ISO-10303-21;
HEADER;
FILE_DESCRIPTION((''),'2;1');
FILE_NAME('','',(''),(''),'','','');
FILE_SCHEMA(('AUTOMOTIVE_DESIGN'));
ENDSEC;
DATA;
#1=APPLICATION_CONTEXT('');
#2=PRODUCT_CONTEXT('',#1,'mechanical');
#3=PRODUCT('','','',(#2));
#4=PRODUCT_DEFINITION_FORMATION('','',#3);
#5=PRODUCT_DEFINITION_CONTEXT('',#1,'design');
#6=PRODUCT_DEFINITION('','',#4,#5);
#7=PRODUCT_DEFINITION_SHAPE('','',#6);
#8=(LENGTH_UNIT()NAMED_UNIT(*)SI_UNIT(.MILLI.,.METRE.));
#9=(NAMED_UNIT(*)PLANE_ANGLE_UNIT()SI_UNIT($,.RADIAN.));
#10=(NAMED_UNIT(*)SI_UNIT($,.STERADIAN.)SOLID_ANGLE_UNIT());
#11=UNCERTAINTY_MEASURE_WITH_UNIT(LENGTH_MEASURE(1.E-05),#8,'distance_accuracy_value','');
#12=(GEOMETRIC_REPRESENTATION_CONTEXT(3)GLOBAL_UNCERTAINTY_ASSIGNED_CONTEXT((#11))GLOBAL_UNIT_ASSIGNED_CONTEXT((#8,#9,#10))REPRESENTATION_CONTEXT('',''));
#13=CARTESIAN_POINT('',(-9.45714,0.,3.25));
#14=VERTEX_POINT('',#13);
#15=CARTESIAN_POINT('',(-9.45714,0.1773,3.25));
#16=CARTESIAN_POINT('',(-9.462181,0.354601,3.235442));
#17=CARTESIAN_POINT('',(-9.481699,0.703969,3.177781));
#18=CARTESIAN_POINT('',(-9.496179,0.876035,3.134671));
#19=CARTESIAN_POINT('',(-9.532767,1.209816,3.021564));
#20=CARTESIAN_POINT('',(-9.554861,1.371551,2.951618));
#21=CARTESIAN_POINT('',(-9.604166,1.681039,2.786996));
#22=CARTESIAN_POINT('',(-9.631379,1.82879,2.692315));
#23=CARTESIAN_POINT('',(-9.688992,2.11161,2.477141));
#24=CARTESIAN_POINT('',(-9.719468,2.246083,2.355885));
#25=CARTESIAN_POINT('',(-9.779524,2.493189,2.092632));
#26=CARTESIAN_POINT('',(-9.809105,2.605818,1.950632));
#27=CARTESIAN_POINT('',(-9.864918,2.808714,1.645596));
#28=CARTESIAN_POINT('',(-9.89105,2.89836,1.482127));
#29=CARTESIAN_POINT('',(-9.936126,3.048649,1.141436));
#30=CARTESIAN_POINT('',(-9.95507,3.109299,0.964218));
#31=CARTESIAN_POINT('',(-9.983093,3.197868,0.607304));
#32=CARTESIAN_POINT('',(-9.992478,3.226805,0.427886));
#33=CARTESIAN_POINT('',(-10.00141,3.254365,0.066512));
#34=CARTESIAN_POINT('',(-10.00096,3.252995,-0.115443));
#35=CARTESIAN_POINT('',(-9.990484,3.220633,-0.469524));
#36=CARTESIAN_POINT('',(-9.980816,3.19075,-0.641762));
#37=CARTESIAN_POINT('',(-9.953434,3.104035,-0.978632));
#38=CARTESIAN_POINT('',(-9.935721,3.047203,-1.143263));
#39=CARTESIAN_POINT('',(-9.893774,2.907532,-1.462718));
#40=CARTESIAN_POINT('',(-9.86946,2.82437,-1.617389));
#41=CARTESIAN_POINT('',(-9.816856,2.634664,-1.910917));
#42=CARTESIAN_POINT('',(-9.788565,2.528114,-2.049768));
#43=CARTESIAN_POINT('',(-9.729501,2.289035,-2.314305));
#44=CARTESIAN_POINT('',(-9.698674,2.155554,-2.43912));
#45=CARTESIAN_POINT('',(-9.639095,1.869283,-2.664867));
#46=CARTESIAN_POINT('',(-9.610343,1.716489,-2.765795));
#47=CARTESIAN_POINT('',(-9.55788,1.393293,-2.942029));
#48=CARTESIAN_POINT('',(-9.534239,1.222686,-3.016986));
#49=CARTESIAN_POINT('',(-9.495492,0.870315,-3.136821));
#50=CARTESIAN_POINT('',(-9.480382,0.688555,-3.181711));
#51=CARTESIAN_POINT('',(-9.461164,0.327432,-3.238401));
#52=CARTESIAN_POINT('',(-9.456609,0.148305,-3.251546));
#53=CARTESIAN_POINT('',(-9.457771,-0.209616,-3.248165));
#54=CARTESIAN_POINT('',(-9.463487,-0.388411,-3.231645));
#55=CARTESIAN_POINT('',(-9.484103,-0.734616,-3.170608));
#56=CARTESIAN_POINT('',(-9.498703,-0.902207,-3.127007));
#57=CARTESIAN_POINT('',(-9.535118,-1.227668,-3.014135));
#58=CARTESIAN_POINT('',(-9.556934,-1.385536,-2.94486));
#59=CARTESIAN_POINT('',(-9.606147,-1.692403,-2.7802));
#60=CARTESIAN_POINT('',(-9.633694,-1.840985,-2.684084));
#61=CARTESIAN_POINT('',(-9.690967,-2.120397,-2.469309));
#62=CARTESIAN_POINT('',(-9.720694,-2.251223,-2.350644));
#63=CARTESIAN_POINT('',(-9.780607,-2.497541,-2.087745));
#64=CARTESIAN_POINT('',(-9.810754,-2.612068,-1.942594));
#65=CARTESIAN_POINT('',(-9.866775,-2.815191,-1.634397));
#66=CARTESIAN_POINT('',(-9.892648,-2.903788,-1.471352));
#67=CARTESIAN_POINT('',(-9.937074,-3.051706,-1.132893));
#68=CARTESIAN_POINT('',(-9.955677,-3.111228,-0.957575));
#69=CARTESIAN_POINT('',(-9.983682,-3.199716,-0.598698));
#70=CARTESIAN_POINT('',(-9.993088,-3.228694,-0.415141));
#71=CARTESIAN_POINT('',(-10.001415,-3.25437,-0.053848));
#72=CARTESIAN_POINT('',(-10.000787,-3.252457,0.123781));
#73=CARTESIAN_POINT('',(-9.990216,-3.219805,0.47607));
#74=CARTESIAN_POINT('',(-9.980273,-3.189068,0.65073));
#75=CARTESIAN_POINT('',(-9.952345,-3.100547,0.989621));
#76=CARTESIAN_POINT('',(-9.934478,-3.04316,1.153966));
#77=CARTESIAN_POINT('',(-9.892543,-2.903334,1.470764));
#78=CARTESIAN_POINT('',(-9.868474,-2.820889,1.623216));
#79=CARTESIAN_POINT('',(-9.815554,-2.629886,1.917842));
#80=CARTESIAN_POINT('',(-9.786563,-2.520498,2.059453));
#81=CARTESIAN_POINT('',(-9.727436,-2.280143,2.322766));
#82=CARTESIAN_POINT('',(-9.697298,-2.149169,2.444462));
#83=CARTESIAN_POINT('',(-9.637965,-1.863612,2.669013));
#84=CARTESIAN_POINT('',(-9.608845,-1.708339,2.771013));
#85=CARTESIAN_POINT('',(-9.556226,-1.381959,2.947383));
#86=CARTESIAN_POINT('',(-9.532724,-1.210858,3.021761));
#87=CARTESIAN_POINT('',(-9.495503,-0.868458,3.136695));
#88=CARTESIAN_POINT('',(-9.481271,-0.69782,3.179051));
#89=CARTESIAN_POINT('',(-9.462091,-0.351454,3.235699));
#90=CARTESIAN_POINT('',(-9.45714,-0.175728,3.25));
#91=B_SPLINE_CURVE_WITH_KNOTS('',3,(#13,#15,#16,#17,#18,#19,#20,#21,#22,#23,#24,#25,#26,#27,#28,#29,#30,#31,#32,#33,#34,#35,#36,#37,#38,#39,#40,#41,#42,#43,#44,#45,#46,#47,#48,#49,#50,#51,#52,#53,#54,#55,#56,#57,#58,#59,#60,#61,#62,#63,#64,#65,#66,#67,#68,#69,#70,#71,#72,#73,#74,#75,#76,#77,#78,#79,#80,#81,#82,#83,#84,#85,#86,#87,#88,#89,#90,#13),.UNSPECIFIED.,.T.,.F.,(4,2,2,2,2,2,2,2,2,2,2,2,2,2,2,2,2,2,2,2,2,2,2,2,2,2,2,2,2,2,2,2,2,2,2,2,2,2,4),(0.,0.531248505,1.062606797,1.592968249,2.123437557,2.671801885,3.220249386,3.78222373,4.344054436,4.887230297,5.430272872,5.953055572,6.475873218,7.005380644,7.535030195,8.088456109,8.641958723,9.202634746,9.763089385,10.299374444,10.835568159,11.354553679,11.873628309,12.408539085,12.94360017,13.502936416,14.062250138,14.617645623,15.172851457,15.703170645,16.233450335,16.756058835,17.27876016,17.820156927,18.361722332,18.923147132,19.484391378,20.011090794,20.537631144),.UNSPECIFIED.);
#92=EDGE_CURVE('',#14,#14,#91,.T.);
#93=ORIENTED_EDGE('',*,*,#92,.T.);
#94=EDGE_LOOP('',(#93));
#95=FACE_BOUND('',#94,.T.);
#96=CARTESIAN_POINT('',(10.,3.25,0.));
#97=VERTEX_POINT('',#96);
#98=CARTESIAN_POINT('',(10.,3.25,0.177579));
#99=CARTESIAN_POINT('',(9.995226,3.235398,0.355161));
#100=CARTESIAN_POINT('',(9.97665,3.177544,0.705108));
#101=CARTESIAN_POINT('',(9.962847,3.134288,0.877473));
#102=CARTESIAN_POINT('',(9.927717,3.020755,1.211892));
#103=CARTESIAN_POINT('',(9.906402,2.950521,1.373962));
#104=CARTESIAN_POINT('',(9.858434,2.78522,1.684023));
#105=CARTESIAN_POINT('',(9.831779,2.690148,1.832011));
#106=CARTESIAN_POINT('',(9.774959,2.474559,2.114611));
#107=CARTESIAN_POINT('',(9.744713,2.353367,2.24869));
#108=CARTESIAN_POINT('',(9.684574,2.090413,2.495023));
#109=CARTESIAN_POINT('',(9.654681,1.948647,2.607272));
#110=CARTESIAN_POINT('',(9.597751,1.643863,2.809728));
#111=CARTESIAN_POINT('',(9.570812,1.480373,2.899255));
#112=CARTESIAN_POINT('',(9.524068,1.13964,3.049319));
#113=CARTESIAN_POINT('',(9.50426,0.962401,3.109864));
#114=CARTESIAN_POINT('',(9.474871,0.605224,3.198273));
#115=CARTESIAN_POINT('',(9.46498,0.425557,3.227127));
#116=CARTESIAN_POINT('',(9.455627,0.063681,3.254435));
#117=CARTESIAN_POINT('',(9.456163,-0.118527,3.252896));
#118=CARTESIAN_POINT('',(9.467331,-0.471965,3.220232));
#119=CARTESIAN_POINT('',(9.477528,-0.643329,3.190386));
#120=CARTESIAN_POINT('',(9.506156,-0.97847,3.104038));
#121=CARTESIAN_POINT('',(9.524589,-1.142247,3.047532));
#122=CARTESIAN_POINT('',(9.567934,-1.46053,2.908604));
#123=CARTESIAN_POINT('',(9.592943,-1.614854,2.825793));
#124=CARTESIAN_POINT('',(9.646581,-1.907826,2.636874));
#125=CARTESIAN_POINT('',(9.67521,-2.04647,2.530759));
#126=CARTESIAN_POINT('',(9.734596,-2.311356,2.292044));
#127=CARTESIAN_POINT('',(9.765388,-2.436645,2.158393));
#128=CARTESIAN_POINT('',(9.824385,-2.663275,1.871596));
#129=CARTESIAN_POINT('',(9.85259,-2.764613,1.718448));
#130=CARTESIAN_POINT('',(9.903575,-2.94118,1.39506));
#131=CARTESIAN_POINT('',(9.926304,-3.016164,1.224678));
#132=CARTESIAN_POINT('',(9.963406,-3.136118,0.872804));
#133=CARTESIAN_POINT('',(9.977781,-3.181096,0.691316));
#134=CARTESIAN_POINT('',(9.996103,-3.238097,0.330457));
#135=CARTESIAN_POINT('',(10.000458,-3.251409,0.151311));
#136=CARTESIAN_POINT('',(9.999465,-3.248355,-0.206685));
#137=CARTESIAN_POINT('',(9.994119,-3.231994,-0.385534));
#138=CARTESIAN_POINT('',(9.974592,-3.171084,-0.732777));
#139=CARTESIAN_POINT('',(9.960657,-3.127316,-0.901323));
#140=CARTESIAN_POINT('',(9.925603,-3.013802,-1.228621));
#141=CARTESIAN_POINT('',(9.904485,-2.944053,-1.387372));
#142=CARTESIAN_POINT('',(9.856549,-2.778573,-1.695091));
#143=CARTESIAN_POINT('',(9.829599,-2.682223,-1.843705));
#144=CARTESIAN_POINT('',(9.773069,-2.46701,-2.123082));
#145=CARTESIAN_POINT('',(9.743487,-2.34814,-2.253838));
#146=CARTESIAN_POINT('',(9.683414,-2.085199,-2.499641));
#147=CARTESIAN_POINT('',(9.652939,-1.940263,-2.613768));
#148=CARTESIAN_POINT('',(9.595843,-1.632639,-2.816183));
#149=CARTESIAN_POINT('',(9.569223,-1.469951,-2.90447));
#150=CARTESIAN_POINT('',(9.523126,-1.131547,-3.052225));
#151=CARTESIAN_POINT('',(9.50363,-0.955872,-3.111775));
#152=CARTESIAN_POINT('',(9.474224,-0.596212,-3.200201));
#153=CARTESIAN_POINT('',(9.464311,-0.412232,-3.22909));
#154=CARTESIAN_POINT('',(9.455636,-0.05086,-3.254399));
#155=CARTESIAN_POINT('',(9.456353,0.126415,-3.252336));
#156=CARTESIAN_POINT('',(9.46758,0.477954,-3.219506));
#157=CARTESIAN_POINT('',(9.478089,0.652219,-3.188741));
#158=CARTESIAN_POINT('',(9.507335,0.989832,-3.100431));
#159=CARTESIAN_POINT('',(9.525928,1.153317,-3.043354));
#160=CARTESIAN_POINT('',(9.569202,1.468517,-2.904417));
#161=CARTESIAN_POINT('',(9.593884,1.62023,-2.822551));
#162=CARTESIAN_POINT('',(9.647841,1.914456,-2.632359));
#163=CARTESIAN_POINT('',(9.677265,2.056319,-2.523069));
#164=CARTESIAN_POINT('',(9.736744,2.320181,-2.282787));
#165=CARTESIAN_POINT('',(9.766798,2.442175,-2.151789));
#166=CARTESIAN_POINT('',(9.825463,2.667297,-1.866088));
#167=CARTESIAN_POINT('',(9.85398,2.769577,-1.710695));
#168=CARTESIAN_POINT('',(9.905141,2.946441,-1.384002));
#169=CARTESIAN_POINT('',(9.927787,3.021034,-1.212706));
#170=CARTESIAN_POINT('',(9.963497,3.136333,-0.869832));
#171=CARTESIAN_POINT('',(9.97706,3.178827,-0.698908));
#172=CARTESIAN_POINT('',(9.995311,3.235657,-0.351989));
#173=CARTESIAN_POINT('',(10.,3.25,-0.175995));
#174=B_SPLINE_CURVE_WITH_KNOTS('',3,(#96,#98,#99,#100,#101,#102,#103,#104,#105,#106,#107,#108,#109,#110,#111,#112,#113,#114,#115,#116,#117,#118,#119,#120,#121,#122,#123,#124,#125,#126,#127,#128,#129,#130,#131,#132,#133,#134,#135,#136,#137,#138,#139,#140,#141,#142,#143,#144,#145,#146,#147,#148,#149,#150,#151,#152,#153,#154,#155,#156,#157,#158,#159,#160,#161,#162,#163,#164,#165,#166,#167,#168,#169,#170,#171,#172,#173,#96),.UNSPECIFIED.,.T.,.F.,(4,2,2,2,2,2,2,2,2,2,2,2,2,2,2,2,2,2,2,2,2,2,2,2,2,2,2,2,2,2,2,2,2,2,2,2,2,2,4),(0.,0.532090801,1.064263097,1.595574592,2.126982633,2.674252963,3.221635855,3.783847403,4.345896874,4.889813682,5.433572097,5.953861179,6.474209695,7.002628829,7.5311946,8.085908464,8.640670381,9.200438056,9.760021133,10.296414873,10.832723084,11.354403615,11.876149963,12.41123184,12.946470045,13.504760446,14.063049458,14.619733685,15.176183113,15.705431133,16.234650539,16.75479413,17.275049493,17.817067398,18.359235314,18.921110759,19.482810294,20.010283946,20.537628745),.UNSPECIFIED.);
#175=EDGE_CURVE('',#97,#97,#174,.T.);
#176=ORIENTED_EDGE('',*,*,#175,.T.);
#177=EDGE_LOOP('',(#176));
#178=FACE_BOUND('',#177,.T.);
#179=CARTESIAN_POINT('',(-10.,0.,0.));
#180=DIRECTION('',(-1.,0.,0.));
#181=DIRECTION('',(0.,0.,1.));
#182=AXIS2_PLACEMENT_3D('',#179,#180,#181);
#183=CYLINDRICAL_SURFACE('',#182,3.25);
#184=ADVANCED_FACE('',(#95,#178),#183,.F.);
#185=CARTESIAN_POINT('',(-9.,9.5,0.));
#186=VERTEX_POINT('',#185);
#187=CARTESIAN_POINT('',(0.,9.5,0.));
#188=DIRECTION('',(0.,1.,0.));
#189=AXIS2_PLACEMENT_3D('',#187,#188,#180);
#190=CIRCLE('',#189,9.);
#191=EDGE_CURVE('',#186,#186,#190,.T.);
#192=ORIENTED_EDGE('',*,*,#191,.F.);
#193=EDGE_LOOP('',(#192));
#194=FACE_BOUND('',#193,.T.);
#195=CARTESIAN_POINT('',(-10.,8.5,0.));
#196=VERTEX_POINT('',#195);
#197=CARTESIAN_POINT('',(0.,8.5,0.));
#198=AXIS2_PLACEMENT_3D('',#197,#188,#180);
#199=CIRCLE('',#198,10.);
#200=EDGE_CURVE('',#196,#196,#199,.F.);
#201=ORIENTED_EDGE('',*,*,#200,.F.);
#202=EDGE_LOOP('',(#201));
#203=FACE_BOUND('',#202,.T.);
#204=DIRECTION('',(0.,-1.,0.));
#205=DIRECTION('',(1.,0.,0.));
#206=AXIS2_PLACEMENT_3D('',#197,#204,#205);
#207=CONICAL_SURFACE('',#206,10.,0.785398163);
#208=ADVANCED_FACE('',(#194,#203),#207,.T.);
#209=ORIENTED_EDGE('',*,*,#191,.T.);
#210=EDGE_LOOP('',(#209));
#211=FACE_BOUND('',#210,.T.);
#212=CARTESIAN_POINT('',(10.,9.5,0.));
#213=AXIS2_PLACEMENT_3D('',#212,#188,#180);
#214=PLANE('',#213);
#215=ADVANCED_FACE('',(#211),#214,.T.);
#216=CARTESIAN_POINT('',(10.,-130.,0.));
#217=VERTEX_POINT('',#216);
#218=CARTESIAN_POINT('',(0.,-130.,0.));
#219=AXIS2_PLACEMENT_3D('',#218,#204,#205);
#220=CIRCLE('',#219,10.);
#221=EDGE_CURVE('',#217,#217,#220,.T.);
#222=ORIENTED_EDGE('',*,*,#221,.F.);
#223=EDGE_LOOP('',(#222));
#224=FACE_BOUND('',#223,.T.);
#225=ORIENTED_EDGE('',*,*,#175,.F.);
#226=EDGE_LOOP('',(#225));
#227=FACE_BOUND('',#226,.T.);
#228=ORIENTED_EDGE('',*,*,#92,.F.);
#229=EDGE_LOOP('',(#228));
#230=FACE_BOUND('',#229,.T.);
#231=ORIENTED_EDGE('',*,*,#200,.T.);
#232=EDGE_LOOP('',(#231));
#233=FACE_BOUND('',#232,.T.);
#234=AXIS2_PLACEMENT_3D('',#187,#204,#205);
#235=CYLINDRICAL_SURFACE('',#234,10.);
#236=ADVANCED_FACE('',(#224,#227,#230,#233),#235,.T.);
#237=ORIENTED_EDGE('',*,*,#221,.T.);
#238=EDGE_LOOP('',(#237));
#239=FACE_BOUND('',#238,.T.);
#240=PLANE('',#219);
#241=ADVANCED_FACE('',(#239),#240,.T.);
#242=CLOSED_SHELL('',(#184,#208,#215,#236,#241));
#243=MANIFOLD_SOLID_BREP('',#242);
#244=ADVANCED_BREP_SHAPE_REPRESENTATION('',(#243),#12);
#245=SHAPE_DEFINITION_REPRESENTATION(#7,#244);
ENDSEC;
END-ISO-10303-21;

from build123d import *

# Parameters (mm, degrees)
SKETCH_1_W              = 10
SKETCH_1_H              = 139.5
HOLE_WIZARD_6_5_6_5_1_D = 6.5
CHAMFER_1_SIZE          = 1


with BuildPart() as part:
    # 草图1 → 旋转1 (revolve)
    with BuildSketch(Plane.XY):
        with Locations((5, -60.25)):
            Rectangle(SKETCH_1_W, SKETCH_1_H)
    revolve(axis=Axis((0, 9.5, 0), (0, -1, 0)))

    # Ø6.5 (6.5) 直径孔1 (through all)
    with Locations(Plane(origin=(-10, 0, 0), x_dir=(0, 0, -1), z_dir=(-1, 0, 0))):
        with Locations((0, 0)):
            Hole(HOLE_WIZARD_6_5_6_5_1_D / 2)

    # 倒角1
    chamfer_1_edges = [part.edges().sort_by_distance(p)[0] for p in [
        (-10, 9.5, 0),
    ]]
    chamfer(chamfer_1_edges, length=CHAMFER_1_SIZE)


solid = part.part
